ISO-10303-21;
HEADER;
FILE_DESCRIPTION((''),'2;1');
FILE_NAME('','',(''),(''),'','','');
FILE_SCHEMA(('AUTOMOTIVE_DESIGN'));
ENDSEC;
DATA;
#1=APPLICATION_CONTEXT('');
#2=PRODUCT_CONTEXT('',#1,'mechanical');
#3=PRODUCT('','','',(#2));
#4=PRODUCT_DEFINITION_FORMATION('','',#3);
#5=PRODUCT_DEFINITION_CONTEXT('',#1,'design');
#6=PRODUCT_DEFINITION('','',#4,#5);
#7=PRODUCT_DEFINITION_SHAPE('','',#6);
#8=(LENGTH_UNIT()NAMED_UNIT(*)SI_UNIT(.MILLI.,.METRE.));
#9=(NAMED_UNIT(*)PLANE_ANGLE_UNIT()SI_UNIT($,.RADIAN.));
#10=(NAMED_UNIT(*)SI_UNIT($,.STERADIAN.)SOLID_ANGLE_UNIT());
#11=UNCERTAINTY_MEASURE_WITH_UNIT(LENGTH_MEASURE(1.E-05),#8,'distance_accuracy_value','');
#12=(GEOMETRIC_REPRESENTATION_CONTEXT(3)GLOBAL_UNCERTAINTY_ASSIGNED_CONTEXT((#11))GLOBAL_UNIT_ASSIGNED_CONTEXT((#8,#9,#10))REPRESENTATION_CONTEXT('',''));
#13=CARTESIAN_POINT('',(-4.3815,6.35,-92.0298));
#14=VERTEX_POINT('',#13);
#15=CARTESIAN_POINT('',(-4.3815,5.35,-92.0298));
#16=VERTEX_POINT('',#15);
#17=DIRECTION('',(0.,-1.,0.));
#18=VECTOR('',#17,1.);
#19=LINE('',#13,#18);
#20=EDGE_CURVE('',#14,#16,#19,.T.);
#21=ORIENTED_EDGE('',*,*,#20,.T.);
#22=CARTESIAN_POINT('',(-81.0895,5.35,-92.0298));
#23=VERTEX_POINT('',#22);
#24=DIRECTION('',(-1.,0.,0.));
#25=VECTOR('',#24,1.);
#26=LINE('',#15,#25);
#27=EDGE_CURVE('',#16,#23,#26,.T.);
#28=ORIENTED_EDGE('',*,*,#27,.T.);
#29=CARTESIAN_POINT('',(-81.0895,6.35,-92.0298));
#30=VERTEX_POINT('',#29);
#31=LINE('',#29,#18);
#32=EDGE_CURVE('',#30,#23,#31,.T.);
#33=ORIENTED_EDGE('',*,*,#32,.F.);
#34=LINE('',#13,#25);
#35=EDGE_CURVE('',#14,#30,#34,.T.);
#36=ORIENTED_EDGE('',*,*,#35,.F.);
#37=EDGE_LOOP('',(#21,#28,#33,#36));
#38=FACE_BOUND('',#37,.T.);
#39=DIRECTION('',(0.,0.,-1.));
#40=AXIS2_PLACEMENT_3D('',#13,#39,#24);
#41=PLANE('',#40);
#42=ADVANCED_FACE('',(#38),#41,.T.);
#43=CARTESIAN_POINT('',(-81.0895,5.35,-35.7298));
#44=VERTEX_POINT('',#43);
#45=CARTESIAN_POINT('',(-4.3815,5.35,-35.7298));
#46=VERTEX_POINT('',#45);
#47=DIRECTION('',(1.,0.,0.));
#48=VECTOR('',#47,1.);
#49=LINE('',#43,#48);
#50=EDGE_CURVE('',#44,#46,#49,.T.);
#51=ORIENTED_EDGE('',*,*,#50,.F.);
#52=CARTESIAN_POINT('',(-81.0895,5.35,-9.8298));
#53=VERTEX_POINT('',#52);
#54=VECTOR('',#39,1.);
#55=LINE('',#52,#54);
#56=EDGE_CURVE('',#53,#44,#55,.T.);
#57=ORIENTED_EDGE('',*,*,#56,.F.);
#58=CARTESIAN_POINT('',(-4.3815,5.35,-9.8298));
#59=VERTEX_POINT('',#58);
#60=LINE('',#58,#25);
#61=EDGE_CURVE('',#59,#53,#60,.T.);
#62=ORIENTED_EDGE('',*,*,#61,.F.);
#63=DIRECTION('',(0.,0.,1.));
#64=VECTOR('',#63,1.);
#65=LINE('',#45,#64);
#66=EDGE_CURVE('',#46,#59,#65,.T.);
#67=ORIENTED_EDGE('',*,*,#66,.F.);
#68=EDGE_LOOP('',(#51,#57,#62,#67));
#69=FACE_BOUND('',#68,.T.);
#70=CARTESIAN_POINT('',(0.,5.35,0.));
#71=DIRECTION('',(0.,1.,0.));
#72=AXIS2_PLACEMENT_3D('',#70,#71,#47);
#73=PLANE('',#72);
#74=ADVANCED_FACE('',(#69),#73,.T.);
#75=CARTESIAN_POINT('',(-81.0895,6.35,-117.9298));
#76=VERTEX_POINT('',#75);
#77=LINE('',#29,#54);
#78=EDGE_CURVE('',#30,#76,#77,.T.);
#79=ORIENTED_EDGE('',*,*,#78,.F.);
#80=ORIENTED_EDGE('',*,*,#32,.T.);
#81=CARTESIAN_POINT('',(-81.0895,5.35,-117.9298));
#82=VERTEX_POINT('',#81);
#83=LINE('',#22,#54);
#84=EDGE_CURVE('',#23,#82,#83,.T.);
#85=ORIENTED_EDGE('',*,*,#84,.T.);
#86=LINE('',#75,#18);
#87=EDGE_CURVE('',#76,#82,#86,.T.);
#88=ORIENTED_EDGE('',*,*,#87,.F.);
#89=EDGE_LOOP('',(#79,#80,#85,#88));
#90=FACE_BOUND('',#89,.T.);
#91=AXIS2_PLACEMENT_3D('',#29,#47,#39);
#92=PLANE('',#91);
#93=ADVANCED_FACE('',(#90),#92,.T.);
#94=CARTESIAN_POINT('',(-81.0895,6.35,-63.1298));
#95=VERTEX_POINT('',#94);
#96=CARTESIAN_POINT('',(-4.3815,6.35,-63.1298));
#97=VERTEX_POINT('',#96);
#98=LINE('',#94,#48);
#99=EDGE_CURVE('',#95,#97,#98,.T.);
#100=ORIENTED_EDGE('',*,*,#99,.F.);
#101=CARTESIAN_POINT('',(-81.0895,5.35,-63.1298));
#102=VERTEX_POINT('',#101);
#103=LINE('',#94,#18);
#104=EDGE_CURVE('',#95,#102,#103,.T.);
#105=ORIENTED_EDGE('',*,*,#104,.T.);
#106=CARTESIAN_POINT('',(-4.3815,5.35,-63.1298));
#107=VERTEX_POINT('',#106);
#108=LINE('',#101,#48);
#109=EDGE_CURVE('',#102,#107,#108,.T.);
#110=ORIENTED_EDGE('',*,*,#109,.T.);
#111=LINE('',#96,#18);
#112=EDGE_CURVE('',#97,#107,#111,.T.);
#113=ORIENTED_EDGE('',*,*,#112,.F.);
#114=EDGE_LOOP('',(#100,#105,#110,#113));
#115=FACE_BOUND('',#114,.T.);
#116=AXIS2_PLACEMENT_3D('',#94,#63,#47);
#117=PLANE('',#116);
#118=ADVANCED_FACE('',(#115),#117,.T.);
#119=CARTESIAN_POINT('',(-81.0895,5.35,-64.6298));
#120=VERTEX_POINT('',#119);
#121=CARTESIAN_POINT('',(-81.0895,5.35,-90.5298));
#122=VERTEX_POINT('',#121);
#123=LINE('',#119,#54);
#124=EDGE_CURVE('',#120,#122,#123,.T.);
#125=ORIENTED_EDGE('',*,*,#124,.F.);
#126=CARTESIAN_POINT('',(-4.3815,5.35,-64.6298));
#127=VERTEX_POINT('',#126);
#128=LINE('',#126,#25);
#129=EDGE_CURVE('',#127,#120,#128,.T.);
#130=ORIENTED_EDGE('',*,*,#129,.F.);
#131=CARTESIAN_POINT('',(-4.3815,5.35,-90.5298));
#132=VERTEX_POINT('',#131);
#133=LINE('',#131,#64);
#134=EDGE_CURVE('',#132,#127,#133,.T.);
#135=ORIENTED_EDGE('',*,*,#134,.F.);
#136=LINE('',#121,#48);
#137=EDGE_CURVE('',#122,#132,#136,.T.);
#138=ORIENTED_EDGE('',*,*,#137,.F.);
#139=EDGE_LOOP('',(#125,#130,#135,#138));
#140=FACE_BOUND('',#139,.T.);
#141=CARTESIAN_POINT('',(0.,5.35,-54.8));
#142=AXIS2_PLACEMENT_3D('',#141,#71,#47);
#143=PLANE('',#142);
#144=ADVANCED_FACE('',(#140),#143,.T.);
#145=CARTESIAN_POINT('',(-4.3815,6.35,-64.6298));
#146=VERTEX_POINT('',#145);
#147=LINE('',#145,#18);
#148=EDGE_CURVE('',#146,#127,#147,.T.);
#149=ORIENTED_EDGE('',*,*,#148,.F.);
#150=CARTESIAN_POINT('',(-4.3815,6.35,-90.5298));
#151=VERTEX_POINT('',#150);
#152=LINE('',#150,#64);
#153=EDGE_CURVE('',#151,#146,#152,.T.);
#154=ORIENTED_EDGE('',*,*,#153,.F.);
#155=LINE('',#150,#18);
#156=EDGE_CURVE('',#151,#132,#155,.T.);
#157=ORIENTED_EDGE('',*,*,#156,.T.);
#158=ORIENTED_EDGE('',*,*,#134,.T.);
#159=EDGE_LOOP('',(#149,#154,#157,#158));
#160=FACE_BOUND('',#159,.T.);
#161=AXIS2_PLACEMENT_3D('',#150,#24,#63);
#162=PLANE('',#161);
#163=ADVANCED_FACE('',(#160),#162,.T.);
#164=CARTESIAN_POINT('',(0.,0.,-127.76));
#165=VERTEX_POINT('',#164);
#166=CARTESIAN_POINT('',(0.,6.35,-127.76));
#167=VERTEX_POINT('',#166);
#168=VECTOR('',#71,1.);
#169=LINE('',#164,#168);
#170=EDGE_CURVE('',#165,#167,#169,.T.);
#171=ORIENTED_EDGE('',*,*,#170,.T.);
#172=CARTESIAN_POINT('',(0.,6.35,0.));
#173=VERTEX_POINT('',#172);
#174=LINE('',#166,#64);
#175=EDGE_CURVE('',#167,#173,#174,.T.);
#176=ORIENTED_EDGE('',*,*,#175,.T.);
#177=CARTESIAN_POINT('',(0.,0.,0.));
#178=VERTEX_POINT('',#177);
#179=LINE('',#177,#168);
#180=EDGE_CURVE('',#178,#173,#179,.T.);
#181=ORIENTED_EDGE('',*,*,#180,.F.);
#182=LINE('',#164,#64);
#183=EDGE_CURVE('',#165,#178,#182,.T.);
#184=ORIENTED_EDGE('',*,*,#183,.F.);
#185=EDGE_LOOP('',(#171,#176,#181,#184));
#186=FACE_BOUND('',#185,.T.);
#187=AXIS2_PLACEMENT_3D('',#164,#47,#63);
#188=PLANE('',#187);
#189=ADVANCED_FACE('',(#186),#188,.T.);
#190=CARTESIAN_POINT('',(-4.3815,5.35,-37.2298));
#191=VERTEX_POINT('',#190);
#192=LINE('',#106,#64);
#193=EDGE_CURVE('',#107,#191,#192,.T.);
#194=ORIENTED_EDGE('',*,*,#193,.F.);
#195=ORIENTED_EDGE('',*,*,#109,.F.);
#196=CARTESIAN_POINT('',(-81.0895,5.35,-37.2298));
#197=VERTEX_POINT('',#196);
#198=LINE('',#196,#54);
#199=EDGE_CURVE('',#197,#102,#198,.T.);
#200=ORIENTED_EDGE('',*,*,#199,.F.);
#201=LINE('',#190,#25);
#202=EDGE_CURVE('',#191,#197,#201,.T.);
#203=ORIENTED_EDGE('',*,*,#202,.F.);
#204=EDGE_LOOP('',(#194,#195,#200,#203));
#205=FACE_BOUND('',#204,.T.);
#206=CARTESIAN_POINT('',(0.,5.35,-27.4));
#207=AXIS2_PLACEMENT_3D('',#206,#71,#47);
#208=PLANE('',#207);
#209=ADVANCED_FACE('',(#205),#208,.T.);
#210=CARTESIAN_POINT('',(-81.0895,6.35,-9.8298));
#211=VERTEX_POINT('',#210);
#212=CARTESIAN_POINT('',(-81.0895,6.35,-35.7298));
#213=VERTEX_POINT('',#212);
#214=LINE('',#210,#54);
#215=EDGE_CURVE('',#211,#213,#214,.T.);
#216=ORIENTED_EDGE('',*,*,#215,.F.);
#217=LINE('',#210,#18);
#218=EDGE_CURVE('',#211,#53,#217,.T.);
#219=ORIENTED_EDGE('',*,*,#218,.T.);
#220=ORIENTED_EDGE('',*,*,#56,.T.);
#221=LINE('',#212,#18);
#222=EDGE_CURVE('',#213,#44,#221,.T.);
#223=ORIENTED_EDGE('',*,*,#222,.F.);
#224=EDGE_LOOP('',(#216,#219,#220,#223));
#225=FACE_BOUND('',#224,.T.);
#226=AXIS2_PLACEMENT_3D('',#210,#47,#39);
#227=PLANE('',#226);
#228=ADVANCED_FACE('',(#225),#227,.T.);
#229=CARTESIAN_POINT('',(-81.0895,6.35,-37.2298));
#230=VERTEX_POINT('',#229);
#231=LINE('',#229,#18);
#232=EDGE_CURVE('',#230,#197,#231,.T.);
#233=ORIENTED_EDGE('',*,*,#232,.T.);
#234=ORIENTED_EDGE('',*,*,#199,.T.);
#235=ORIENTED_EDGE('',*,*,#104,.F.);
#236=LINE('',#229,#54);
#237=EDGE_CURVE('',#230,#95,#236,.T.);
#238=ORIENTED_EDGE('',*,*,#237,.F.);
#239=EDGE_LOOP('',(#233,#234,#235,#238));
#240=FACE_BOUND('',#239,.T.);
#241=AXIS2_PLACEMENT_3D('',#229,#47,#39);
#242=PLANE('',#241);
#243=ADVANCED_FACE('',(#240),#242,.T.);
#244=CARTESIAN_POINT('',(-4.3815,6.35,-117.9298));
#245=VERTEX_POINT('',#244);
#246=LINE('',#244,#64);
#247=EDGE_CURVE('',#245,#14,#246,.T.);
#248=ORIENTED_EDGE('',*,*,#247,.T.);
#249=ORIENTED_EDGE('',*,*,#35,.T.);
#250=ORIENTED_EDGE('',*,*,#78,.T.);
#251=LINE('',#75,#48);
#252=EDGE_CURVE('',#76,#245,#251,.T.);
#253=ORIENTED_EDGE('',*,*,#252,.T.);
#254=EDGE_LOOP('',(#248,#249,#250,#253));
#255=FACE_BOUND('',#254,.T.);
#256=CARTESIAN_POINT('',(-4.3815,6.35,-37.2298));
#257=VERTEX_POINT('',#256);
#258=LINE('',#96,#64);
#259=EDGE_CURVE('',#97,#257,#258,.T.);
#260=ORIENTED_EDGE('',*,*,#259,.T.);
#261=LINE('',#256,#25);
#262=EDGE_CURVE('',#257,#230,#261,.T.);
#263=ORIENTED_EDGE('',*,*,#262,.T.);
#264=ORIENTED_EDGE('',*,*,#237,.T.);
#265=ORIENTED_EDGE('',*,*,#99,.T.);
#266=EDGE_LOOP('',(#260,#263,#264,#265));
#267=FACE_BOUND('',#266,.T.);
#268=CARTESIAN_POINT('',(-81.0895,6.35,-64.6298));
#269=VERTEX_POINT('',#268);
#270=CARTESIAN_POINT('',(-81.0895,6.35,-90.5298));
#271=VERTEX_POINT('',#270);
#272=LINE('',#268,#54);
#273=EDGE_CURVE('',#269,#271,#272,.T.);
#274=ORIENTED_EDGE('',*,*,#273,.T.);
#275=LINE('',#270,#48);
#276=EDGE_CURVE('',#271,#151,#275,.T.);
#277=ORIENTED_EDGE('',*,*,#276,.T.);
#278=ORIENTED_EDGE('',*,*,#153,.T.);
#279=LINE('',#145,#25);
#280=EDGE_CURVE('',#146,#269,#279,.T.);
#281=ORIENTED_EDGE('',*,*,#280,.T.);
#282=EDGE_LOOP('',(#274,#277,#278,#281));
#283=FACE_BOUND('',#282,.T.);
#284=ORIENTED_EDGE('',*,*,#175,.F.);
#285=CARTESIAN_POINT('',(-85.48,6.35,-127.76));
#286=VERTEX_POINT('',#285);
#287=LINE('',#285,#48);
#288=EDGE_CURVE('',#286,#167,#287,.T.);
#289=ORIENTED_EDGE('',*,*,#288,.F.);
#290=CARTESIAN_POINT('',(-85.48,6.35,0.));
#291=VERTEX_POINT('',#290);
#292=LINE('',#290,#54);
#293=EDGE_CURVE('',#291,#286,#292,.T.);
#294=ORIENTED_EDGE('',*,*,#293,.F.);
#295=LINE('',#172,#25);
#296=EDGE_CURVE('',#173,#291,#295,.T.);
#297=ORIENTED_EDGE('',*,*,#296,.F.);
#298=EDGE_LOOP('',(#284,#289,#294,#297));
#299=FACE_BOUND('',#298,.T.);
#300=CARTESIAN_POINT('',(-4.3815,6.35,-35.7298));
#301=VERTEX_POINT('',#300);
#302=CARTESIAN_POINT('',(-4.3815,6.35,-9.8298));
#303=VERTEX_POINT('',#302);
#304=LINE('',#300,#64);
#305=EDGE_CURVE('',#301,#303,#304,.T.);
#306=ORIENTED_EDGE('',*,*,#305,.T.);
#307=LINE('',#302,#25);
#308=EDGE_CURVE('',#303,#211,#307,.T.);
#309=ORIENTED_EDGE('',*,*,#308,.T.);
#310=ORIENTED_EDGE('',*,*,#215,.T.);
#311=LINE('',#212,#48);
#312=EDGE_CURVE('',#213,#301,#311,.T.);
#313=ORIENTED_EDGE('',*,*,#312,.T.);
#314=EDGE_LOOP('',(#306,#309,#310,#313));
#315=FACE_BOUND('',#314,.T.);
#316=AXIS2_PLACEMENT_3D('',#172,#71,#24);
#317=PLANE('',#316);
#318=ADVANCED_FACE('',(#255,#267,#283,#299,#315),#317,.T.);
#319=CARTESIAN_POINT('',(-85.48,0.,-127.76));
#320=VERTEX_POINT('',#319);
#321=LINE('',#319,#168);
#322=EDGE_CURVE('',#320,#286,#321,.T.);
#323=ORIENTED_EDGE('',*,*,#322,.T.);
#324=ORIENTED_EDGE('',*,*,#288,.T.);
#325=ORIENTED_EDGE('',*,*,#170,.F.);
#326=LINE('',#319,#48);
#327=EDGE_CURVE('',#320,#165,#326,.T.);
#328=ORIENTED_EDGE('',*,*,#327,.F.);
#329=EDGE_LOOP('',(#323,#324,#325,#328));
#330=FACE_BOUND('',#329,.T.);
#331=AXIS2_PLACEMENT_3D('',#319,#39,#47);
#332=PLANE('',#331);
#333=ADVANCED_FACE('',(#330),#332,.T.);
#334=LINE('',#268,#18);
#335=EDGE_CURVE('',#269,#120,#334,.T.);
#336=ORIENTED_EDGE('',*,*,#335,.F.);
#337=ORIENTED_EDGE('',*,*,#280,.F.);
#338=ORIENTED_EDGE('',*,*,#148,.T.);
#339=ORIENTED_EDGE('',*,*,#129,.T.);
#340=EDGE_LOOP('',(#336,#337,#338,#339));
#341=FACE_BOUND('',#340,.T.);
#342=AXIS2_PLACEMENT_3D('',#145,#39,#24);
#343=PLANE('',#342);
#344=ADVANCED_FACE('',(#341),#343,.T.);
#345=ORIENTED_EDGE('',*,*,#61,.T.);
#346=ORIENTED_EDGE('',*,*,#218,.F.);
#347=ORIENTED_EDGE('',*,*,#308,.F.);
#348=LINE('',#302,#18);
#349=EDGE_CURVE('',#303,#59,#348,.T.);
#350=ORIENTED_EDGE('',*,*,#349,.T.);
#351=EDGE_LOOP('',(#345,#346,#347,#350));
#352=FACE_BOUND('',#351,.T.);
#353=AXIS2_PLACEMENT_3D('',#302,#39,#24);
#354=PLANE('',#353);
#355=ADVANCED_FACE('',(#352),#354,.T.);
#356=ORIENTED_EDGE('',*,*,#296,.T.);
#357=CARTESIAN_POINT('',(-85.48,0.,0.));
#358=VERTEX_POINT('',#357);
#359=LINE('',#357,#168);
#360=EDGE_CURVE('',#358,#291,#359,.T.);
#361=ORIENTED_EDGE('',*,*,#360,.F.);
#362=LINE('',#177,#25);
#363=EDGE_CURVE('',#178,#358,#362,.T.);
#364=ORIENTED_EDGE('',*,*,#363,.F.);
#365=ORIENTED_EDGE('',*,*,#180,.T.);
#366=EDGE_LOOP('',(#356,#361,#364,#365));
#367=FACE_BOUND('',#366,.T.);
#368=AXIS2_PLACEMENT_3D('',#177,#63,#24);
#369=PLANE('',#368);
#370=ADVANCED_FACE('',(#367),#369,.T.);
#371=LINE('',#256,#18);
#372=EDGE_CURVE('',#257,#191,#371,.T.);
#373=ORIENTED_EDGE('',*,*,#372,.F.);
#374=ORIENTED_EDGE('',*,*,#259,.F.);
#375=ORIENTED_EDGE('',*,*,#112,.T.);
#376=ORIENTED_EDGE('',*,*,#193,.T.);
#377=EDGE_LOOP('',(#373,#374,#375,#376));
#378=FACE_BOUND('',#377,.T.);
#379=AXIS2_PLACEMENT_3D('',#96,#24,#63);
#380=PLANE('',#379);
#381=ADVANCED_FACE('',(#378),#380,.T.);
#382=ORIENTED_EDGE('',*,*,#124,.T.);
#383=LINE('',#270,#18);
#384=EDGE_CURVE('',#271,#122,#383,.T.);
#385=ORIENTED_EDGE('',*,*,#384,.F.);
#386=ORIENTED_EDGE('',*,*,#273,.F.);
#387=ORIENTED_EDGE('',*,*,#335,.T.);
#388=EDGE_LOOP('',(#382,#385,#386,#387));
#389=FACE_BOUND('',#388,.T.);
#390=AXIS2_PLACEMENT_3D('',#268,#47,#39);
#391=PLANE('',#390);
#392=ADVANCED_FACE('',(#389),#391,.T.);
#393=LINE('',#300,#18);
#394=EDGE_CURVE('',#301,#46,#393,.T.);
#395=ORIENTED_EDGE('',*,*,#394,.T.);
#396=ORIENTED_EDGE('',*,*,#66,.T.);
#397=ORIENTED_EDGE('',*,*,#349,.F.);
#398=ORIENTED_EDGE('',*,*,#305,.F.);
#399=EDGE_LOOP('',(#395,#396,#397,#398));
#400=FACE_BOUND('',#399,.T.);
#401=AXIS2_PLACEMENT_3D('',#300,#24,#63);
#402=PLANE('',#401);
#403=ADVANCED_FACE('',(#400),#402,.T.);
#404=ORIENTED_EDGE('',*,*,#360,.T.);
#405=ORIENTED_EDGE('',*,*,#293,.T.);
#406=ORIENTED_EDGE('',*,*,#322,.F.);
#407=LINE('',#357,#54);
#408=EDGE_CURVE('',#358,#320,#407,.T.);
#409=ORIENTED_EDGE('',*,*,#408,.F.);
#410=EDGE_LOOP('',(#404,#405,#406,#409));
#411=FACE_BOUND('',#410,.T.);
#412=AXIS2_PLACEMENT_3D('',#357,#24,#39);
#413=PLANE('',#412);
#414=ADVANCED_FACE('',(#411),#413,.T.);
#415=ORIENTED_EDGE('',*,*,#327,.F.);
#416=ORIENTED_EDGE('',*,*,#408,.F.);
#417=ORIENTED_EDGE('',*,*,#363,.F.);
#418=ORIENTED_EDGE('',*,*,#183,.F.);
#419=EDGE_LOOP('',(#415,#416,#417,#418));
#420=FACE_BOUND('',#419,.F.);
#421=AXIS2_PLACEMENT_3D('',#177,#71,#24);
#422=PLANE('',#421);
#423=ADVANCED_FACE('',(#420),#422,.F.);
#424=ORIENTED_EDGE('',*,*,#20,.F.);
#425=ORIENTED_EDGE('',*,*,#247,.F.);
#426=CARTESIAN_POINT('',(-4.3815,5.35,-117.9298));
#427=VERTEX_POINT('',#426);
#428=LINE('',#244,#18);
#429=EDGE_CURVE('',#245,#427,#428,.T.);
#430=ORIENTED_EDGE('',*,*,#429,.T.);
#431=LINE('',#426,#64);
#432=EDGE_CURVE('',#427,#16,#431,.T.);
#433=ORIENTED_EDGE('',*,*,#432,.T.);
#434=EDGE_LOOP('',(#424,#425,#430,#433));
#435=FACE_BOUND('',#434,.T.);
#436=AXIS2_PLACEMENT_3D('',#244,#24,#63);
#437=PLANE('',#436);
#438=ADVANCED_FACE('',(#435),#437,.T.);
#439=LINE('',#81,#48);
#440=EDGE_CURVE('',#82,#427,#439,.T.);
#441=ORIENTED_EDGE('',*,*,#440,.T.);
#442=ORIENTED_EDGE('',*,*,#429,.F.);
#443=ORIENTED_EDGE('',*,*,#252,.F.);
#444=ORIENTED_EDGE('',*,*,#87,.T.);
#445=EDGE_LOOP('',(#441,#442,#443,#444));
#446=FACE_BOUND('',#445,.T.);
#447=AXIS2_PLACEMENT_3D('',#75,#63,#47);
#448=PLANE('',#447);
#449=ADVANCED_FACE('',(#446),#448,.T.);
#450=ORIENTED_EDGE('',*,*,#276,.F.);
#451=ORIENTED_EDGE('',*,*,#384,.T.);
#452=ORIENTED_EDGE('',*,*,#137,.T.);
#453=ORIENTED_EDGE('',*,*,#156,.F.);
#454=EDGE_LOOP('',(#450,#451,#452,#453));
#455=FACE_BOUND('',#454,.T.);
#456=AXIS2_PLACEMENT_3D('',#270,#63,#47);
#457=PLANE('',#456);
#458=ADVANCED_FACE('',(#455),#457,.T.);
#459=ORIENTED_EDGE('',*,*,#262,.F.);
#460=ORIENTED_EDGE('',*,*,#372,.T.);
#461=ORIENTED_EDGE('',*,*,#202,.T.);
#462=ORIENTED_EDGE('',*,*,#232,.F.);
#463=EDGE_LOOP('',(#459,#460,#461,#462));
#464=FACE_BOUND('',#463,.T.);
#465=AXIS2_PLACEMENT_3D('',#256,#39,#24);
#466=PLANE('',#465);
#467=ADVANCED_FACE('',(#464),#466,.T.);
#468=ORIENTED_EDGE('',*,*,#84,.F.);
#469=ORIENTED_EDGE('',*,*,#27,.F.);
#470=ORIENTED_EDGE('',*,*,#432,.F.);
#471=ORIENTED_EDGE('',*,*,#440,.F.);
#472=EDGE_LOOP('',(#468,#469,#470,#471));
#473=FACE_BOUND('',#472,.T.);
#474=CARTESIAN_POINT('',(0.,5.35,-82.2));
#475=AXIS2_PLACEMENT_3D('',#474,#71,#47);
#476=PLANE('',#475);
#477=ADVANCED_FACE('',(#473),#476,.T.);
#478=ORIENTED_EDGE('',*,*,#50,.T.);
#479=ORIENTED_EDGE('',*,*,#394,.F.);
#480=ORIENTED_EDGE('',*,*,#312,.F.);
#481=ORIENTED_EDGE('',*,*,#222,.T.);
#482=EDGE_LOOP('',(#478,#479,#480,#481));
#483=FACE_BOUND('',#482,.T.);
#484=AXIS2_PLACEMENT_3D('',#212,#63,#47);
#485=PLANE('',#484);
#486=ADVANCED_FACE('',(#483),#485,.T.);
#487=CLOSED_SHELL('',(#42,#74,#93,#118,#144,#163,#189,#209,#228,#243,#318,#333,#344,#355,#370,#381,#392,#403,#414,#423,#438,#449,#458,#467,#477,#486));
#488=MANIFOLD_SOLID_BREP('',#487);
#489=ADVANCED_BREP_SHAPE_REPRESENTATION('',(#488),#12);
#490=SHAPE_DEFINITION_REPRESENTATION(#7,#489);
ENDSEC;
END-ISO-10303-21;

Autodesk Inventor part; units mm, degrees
ref_plane "YZ Plane" through (0, 0, 0) normal (1, 0, 0) x (0, 1, 0)
ref_plane "XZ Plane" through (0, 0, 0) normal (0, 1, 0) x (-1, 0, 0)
ref_plane "XY Plane" through (0, 0, 0) normal (0, 0, 1) x (1, 0, 0)
sketch "Sketch1" plane through (0, 0, 0) normal (0, 1, 0) x (-1, 0, 0)
  line L0 (0, 0) -> (85.48, 0)
  line L1 (85.48, 0) -> (85.48, -127.76)
  line L2 (85.48, -127.76) -> (0, -127.76)
  line L3 (0, -127.76) -> (0, 0)
  line L4 (0, 0) -> (7.0711, -7.0711)
  line L5 (0, 0) -> (10, 0) construction
  circle A0 centre (7.0711, -7.0711) radius 4.7625
  dimension "d0" = 85.48
  dimension "d1" = 127.76
  dimension "offsetDiag" = 10
  dimension "d3" = 45
  dimension "d4" = 9.525
extrude "Extrusion1" add sketch "Sketch1" along normal blind 6.35 contours L0 L1 L2 L3 | A0
sketch "Sketch3" plane through (0, 6.35, 0) normal (0, 1, 0) x (1, 0, 0)
  line L0 (0, 0) -> (0, 127.76) projected
  line L1 (0, 0) -> (-4.3815, 0)
  line L2 (-4.3815, 0) -> (-4.3815, 9.8298)
  line L3 (-4.3815, 9.8298) -> (0, 9.8298)
  line L4 (0, 9.8298) -> (0, 0)
  line L5 (-4.3815, 9.8298) -> (-81.0895, 9.8298)
  line L6 (-81.0895, 9.8298) -> (-81.0895, 35.7298)
  line L7 (-81.0895, 35.7298) -> (-4.3815, 35.7298)
  line L8 (-4.3815, 35.7298) -> (-4.3815, 9.8298)
  line L9 (-81.0895, 35.7298) -> (-82.0895, 35.7298)
  line L10 (-82.0895, 35.7298) -> (-82.0895, 36.7298)
  line L11 (-82.0895, 36.7298) -> (-81.0895, 36.7298)
  line L12 (-81.0895, 36.7298) -> (-81.0895, 35.7298)
  dimension "d23" = 4.3815
  dimension "d24" = 9.8298
  dimension "d25" = 76.708
  dimension "d26" = 25.9
  dimension "d27" = 1
  dimension "d28" = 1
extrude "Extrusion2" cut sketch "Sketch3" against normal blind 1 contours L5 L6 L7 L8
pattern_linear "Rectangular Pattern2" count 4 spacing 27.4 along (0, 0, -1) of "Extrusion2"
properties part number "slide substrate rack"
